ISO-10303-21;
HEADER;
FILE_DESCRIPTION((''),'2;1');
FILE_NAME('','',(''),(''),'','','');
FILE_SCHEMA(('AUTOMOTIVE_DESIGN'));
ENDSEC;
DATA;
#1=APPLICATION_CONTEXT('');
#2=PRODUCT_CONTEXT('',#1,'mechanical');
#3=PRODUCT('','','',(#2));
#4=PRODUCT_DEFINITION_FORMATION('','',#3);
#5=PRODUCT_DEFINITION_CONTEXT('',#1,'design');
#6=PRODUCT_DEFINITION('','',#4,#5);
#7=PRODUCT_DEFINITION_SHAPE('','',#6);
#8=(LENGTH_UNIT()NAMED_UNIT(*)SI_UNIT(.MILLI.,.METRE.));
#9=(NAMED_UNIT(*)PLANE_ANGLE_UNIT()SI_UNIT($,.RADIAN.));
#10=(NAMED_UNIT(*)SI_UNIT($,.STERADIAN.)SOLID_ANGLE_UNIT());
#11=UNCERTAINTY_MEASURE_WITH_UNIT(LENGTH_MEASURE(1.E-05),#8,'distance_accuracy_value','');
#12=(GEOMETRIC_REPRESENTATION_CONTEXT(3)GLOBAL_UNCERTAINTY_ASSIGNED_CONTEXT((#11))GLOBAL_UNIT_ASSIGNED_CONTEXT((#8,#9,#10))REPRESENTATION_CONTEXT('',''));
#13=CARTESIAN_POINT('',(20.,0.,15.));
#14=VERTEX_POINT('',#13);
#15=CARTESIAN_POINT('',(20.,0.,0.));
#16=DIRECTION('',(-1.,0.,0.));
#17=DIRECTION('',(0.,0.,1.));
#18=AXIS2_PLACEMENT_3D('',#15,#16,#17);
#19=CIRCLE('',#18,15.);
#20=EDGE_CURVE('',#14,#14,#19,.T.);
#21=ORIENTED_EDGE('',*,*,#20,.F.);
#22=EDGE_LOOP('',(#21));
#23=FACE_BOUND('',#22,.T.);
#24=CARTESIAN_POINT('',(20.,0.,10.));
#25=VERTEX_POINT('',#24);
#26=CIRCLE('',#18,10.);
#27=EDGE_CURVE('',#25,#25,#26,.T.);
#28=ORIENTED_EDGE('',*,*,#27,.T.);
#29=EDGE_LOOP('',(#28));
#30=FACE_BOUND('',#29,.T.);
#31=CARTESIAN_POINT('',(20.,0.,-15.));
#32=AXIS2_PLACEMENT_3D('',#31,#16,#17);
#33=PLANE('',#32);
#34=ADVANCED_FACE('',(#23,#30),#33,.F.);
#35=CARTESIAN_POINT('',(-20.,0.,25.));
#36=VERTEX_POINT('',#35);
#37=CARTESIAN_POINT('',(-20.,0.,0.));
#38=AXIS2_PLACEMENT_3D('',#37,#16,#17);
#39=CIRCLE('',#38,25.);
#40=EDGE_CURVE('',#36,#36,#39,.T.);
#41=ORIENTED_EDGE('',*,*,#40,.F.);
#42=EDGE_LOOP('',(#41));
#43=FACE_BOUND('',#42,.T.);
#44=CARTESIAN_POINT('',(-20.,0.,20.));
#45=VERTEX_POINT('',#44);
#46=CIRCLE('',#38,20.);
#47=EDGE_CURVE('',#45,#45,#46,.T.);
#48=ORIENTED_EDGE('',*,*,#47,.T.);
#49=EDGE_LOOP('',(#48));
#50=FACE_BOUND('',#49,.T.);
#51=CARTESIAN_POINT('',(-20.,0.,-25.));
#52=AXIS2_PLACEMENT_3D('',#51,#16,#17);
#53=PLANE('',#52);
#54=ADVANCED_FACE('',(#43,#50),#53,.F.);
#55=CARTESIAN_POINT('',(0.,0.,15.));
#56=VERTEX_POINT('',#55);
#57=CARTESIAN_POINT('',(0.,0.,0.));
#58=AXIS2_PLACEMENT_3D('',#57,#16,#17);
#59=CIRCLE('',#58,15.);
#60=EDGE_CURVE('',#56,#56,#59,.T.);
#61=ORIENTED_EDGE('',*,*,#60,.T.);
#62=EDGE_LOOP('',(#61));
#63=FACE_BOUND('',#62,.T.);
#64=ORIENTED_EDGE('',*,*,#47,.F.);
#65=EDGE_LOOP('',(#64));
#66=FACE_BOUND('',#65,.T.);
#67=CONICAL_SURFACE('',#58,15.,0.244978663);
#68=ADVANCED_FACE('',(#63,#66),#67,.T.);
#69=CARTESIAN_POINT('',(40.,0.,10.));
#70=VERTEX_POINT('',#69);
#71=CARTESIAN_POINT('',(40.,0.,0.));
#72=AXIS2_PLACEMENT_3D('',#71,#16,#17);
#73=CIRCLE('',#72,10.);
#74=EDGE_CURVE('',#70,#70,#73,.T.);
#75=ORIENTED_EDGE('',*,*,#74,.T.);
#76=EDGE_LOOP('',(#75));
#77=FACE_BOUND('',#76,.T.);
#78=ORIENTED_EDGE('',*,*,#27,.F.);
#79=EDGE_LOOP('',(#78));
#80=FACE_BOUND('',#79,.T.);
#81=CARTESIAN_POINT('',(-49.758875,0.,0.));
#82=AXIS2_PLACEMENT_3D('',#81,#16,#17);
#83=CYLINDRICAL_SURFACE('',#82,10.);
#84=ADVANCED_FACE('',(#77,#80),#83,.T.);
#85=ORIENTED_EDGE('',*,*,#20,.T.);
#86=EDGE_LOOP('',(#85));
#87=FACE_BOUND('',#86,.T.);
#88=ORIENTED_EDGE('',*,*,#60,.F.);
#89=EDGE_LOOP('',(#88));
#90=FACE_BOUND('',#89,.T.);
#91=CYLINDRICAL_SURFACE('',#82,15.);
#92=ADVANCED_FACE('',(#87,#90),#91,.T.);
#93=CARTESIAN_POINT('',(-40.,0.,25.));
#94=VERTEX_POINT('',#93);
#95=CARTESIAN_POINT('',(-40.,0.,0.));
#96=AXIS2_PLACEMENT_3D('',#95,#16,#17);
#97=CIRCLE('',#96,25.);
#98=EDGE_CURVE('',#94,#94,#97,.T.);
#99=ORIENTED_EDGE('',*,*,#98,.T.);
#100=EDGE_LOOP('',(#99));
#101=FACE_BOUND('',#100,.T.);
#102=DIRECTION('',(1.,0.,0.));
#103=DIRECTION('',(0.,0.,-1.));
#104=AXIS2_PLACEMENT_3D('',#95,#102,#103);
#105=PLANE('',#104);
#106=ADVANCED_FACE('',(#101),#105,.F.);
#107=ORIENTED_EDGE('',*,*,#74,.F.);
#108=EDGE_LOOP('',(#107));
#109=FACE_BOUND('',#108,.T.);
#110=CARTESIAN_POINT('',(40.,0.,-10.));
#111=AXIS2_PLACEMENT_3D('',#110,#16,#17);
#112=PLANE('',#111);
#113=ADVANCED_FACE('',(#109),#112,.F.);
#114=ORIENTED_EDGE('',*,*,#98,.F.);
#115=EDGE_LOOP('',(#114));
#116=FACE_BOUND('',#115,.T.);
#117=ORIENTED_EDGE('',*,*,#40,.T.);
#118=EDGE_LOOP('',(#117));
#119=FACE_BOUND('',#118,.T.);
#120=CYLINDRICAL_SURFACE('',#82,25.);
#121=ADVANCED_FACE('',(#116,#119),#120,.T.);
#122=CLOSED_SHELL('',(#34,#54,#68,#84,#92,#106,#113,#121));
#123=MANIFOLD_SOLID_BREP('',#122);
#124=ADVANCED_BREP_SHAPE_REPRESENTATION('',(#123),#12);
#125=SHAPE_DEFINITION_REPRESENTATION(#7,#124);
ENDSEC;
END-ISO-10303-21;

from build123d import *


with BuildPart() as part:
    # 스케치1 → 회전1 (revolve)
    with BuildSketch(Plane(origin=(0, 0, 0), x_dir=(1, 0, 0), z_dir=(0, 1, 0)), mode=Mode.PRIVATE) as revolve_1_sk:
        Polygon((-40, 0), (-40, 25), (-20, 25), (-20, 20), (0, 15), (20, 15), (20, 10), (40, 10), (40, 0), align=None)
    revolve(revolve_1_sk.sketch.rotate(Axis((-49.758874749, 0, 0), (1, 0, 0)), 180), axis=Axis((-49.758874749, 0, 0), (1, 0, 0)))


solid = part.part
